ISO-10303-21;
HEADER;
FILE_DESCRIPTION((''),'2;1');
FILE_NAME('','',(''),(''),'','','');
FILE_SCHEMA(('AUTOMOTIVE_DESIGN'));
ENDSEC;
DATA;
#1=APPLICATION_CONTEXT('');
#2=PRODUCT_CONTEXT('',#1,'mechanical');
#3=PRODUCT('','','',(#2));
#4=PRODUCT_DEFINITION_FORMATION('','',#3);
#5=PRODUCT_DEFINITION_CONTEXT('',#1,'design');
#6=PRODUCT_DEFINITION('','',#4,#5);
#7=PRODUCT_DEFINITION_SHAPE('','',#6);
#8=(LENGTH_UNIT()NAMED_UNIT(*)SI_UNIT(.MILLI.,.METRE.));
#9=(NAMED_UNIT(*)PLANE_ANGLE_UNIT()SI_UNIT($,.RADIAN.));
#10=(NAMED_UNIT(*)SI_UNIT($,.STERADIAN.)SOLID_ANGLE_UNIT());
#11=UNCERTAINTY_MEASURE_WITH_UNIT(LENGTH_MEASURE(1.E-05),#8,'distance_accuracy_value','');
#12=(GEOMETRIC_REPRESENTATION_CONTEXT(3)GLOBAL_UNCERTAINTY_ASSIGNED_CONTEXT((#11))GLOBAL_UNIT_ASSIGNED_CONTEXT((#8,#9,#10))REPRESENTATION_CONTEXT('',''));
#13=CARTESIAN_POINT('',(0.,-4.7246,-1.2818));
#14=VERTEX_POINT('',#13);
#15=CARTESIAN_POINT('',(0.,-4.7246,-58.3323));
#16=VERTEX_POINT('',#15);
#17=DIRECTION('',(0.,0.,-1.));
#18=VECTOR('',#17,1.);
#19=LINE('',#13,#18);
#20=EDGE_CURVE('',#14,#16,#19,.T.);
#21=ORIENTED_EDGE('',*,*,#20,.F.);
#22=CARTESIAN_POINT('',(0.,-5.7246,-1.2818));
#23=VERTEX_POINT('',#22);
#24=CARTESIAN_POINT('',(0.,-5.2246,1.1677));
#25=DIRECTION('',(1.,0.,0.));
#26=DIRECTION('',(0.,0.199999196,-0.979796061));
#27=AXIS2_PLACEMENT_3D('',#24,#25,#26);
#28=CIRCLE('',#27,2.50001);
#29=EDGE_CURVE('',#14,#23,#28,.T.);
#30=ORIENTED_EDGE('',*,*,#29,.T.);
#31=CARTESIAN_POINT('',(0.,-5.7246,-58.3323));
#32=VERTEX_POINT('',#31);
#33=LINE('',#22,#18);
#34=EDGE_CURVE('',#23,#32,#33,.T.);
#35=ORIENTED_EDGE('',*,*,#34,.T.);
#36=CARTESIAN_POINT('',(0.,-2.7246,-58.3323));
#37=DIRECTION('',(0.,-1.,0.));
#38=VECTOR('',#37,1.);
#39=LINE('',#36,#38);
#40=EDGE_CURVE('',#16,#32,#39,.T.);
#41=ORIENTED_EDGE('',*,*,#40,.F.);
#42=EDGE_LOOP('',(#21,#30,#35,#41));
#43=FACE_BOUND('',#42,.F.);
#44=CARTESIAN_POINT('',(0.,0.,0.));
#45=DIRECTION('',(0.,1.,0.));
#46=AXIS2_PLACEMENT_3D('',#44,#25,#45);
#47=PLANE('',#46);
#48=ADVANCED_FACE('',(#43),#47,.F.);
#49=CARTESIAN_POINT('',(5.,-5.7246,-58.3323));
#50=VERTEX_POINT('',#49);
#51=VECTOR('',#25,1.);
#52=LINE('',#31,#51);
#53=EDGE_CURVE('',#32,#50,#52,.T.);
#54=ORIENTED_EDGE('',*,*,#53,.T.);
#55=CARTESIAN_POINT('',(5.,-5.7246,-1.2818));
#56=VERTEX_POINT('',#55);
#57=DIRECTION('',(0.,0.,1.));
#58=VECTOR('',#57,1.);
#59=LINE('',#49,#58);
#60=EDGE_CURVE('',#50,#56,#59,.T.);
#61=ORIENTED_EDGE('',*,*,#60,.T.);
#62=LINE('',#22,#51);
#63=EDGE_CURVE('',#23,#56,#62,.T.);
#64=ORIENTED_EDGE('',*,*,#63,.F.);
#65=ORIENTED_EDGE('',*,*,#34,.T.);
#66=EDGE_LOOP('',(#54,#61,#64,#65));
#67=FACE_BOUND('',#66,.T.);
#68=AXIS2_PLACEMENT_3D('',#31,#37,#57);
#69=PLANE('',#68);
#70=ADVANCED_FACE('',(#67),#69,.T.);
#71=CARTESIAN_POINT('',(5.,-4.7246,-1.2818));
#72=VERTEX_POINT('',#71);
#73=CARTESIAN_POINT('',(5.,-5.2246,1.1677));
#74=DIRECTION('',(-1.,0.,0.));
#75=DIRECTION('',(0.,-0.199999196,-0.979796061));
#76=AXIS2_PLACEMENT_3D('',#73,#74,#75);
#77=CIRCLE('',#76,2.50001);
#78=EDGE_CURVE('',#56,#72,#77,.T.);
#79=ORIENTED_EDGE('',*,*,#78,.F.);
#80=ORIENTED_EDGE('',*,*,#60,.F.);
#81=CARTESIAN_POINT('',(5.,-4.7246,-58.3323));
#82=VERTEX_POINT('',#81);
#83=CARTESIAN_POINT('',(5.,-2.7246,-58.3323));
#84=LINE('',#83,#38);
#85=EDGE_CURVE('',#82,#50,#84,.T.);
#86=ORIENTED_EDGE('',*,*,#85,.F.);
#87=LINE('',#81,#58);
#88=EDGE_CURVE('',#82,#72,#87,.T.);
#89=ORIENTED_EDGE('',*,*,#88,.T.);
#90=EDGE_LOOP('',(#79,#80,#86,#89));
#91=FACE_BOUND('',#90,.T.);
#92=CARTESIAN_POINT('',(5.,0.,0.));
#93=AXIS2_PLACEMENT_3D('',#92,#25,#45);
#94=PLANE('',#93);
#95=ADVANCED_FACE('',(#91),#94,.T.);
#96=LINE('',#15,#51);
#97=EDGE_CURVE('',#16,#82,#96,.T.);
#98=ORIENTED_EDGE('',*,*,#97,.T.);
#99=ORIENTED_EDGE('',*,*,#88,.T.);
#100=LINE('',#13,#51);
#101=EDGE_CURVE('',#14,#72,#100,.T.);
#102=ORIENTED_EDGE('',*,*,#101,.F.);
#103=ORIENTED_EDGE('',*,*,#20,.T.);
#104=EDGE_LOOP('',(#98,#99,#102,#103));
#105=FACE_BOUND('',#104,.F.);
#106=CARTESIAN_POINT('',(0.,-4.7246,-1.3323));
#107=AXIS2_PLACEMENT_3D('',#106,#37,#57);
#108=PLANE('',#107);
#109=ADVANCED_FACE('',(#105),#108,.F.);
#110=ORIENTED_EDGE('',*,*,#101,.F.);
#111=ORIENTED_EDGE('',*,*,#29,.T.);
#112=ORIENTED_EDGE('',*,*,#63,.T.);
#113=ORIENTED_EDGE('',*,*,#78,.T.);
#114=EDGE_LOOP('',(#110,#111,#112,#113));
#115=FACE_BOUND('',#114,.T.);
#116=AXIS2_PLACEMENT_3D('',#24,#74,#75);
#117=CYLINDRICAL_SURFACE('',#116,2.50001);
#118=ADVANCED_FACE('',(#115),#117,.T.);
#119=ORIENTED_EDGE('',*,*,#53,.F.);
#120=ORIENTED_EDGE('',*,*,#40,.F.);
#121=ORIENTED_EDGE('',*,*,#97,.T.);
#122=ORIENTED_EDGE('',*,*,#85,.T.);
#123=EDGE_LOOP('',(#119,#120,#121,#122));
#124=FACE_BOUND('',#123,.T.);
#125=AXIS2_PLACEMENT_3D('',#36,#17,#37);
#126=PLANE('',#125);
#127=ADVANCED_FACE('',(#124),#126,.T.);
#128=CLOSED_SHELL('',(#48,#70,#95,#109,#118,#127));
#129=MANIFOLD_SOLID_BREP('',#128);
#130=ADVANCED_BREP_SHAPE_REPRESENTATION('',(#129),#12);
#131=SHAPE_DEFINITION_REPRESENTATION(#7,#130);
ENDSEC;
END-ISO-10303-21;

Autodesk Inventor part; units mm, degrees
ref_plane "YZ Plane" through (0, 0, 0) normal (1, 0, 0) x (0, 1, 0)
ref_plane "XZ Plane" through (0, 0, 0) normal (0, 1, 0) x (-1, 0, 0)
ref_plane "XY Plane" through (0, 0, 0) normal (0, 0, 1) x (1, 0, 0)
sketch "スケッチ1" plane through (0, 0, 0) normal (1, 0, 0) x (0, 1, 0)
  line L0 (-7.7246, 3.6677) -> (-2.7246, 3.6677)
  line L1 (-2.7246, 3.6677) -> (-2.7246, -58.3323)
  line L2 (-2.7246, -58.3323) -> (-7.7246, -58.3323)
  line L3 (-7.7246, -58.3323) -> (-7.7246, 3.6677)
  point P0 (0, 0)
  dimension "d0" = 5
  dimension "d2" = 62
extrude "押し出し1" add sketch "スケッチ1" along normal blind 5
sketch "スケッチ2" plane through (0, 0, 0) normal (-1, 0, 0) x (0, 0, 1)
  line L0 (3.6677, -7.7246) -> (3.6677, -2.7246) projected
  line L1 (3.6677, -2.7246) -> (-58.3323, -2.7246) projected
  line L2 (-58.3323, -2.7246) -> (-58.3323, -7.7246) projected
  line L3 (-58.3323, -7.7246) -> (3.6677, -7.7246) projected
  line L4 (-1.3323, -4.7246) -> (-58.3323, -4.7246)
  line L5 (-58.3323, -4.7246) -> (-58.3323, -5.7246)
  line L6 (-58.3323, -5.7246) -> (-1.3323, -5.7246)
  arc A0 (-1.2818, -5.7246) -> (-1.2818, -4.7246) centre (1.1677, -5.2246) ccw
  line L7 (-1.3323, -5.7246) -> (-1.2818, -5.7246)
  line L8 (-1.3323, -4.7246) -> (-1.2818, -4.7246)
  point P0 (0, 0)
  dimension "d5" = 1
  dimension "d7" = 2
  dimension "d9" = 5
extrude "押し出し2" cut sketch "スケッチ2" against normal blind 5 contours L3 A0 L0 | A0 L1 L0 | L3 L2 L6 L7 A0 | A0 L8 L4 L2 L1
